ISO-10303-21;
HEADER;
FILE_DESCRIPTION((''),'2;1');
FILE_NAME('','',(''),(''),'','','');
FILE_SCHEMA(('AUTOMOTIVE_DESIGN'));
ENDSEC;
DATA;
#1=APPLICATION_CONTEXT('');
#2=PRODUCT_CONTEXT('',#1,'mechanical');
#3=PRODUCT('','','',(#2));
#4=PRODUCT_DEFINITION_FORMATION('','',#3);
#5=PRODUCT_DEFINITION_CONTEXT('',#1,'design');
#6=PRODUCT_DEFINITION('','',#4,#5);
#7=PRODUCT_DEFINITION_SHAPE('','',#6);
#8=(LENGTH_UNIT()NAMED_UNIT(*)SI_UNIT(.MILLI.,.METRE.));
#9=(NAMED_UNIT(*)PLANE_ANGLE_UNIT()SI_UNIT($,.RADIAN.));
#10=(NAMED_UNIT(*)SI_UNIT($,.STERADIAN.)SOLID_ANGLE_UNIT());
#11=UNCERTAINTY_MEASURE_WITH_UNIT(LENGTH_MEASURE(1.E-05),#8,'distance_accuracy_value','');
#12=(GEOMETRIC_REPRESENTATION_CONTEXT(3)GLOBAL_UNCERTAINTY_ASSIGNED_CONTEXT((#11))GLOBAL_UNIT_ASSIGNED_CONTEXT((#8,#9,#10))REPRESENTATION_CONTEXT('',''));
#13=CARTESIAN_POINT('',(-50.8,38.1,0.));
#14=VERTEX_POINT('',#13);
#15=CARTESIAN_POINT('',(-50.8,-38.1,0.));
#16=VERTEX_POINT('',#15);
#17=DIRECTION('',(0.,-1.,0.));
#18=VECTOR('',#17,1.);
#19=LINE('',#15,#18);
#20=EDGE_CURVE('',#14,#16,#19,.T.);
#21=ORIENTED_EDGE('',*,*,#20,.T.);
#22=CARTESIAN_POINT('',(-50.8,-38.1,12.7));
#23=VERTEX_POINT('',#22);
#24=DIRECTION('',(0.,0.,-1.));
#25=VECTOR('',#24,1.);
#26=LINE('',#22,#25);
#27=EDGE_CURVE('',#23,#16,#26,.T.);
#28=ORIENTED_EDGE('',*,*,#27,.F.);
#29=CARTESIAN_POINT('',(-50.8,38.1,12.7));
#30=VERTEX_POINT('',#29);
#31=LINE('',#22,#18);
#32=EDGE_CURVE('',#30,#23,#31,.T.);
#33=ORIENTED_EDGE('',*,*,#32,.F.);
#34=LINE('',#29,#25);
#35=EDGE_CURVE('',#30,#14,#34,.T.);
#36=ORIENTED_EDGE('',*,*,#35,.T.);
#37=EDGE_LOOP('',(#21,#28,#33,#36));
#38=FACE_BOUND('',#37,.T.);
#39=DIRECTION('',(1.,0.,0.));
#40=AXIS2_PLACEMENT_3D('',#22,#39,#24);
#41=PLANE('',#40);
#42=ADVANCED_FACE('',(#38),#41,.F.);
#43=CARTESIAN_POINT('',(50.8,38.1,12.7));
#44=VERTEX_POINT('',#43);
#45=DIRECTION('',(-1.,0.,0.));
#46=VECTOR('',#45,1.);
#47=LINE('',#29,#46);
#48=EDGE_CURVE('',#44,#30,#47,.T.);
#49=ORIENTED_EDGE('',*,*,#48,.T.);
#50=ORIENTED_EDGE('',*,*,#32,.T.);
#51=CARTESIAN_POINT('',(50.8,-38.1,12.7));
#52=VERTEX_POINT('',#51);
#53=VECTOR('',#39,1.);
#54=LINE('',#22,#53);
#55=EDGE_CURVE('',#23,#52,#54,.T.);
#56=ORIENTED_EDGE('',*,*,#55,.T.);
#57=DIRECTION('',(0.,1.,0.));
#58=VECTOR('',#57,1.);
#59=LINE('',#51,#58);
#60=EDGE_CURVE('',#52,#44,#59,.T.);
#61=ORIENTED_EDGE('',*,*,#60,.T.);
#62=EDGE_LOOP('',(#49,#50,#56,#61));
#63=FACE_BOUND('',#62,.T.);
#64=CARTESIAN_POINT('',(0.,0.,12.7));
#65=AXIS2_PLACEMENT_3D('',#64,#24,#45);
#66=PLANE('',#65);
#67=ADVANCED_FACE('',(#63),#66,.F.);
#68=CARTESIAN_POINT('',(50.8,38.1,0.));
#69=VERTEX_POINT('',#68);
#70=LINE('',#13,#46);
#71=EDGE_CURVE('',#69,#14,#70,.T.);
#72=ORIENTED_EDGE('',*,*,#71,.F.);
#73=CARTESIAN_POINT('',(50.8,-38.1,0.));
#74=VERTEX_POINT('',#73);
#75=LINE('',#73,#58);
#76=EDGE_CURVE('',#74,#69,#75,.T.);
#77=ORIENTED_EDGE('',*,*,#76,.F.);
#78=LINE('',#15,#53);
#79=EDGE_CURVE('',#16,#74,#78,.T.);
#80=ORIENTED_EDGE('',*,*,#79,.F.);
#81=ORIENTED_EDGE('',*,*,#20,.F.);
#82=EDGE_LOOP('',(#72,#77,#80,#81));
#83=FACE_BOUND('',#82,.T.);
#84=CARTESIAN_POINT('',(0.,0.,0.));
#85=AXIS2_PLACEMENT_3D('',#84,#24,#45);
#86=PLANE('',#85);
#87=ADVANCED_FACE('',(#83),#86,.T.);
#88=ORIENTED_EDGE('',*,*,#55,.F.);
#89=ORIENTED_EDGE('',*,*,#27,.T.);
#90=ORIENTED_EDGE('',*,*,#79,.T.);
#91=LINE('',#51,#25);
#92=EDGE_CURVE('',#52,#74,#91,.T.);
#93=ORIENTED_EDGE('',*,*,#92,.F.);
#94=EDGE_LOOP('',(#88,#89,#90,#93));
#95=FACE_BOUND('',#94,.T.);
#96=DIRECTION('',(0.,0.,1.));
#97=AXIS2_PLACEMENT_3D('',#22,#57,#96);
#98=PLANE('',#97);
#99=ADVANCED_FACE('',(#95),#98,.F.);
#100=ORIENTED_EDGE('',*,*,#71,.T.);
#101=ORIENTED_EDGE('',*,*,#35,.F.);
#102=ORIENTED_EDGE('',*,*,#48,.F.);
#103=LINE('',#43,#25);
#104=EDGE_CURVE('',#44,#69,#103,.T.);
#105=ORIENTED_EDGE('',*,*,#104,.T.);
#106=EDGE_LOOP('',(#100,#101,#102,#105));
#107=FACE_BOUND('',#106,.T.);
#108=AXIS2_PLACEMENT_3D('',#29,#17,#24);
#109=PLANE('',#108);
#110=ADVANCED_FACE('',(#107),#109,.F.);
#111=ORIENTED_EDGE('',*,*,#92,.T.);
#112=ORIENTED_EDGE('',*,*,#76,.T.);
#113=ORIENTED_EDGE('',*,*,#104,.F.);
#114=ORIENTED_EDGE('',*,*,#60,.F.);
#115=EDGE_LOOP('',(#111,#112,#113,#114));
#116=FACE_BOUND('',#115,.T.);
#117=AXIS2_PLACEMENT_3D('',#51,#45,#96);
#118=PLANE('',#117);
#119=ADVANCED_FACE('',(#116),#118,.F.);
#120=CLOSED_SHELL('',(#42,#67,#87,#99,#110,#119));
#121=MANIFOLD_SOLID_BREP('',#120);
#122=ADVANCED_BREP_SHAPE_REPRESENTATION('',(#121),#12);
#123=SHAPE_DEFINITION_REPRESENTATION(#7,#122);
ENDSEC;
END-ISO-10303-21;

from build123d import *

# Parameters (mm, degrees)
ESQUISSE1_W        = 101.6
ESQUISSE1_H        = 76.2
BOSS_EXTRU_1_DEPTH = 12.7


with BuildPart() as part:
    # Esquisse1 → Boss.-Extru.1 (new body)
    with BuildSketch(Plane.XY):
        Rectangle(ESQUISSE1_W, ESQUISSE1_H)
    extrude(amount=BOSS_EXTRU_1_DEPTH)


solid = part.part
